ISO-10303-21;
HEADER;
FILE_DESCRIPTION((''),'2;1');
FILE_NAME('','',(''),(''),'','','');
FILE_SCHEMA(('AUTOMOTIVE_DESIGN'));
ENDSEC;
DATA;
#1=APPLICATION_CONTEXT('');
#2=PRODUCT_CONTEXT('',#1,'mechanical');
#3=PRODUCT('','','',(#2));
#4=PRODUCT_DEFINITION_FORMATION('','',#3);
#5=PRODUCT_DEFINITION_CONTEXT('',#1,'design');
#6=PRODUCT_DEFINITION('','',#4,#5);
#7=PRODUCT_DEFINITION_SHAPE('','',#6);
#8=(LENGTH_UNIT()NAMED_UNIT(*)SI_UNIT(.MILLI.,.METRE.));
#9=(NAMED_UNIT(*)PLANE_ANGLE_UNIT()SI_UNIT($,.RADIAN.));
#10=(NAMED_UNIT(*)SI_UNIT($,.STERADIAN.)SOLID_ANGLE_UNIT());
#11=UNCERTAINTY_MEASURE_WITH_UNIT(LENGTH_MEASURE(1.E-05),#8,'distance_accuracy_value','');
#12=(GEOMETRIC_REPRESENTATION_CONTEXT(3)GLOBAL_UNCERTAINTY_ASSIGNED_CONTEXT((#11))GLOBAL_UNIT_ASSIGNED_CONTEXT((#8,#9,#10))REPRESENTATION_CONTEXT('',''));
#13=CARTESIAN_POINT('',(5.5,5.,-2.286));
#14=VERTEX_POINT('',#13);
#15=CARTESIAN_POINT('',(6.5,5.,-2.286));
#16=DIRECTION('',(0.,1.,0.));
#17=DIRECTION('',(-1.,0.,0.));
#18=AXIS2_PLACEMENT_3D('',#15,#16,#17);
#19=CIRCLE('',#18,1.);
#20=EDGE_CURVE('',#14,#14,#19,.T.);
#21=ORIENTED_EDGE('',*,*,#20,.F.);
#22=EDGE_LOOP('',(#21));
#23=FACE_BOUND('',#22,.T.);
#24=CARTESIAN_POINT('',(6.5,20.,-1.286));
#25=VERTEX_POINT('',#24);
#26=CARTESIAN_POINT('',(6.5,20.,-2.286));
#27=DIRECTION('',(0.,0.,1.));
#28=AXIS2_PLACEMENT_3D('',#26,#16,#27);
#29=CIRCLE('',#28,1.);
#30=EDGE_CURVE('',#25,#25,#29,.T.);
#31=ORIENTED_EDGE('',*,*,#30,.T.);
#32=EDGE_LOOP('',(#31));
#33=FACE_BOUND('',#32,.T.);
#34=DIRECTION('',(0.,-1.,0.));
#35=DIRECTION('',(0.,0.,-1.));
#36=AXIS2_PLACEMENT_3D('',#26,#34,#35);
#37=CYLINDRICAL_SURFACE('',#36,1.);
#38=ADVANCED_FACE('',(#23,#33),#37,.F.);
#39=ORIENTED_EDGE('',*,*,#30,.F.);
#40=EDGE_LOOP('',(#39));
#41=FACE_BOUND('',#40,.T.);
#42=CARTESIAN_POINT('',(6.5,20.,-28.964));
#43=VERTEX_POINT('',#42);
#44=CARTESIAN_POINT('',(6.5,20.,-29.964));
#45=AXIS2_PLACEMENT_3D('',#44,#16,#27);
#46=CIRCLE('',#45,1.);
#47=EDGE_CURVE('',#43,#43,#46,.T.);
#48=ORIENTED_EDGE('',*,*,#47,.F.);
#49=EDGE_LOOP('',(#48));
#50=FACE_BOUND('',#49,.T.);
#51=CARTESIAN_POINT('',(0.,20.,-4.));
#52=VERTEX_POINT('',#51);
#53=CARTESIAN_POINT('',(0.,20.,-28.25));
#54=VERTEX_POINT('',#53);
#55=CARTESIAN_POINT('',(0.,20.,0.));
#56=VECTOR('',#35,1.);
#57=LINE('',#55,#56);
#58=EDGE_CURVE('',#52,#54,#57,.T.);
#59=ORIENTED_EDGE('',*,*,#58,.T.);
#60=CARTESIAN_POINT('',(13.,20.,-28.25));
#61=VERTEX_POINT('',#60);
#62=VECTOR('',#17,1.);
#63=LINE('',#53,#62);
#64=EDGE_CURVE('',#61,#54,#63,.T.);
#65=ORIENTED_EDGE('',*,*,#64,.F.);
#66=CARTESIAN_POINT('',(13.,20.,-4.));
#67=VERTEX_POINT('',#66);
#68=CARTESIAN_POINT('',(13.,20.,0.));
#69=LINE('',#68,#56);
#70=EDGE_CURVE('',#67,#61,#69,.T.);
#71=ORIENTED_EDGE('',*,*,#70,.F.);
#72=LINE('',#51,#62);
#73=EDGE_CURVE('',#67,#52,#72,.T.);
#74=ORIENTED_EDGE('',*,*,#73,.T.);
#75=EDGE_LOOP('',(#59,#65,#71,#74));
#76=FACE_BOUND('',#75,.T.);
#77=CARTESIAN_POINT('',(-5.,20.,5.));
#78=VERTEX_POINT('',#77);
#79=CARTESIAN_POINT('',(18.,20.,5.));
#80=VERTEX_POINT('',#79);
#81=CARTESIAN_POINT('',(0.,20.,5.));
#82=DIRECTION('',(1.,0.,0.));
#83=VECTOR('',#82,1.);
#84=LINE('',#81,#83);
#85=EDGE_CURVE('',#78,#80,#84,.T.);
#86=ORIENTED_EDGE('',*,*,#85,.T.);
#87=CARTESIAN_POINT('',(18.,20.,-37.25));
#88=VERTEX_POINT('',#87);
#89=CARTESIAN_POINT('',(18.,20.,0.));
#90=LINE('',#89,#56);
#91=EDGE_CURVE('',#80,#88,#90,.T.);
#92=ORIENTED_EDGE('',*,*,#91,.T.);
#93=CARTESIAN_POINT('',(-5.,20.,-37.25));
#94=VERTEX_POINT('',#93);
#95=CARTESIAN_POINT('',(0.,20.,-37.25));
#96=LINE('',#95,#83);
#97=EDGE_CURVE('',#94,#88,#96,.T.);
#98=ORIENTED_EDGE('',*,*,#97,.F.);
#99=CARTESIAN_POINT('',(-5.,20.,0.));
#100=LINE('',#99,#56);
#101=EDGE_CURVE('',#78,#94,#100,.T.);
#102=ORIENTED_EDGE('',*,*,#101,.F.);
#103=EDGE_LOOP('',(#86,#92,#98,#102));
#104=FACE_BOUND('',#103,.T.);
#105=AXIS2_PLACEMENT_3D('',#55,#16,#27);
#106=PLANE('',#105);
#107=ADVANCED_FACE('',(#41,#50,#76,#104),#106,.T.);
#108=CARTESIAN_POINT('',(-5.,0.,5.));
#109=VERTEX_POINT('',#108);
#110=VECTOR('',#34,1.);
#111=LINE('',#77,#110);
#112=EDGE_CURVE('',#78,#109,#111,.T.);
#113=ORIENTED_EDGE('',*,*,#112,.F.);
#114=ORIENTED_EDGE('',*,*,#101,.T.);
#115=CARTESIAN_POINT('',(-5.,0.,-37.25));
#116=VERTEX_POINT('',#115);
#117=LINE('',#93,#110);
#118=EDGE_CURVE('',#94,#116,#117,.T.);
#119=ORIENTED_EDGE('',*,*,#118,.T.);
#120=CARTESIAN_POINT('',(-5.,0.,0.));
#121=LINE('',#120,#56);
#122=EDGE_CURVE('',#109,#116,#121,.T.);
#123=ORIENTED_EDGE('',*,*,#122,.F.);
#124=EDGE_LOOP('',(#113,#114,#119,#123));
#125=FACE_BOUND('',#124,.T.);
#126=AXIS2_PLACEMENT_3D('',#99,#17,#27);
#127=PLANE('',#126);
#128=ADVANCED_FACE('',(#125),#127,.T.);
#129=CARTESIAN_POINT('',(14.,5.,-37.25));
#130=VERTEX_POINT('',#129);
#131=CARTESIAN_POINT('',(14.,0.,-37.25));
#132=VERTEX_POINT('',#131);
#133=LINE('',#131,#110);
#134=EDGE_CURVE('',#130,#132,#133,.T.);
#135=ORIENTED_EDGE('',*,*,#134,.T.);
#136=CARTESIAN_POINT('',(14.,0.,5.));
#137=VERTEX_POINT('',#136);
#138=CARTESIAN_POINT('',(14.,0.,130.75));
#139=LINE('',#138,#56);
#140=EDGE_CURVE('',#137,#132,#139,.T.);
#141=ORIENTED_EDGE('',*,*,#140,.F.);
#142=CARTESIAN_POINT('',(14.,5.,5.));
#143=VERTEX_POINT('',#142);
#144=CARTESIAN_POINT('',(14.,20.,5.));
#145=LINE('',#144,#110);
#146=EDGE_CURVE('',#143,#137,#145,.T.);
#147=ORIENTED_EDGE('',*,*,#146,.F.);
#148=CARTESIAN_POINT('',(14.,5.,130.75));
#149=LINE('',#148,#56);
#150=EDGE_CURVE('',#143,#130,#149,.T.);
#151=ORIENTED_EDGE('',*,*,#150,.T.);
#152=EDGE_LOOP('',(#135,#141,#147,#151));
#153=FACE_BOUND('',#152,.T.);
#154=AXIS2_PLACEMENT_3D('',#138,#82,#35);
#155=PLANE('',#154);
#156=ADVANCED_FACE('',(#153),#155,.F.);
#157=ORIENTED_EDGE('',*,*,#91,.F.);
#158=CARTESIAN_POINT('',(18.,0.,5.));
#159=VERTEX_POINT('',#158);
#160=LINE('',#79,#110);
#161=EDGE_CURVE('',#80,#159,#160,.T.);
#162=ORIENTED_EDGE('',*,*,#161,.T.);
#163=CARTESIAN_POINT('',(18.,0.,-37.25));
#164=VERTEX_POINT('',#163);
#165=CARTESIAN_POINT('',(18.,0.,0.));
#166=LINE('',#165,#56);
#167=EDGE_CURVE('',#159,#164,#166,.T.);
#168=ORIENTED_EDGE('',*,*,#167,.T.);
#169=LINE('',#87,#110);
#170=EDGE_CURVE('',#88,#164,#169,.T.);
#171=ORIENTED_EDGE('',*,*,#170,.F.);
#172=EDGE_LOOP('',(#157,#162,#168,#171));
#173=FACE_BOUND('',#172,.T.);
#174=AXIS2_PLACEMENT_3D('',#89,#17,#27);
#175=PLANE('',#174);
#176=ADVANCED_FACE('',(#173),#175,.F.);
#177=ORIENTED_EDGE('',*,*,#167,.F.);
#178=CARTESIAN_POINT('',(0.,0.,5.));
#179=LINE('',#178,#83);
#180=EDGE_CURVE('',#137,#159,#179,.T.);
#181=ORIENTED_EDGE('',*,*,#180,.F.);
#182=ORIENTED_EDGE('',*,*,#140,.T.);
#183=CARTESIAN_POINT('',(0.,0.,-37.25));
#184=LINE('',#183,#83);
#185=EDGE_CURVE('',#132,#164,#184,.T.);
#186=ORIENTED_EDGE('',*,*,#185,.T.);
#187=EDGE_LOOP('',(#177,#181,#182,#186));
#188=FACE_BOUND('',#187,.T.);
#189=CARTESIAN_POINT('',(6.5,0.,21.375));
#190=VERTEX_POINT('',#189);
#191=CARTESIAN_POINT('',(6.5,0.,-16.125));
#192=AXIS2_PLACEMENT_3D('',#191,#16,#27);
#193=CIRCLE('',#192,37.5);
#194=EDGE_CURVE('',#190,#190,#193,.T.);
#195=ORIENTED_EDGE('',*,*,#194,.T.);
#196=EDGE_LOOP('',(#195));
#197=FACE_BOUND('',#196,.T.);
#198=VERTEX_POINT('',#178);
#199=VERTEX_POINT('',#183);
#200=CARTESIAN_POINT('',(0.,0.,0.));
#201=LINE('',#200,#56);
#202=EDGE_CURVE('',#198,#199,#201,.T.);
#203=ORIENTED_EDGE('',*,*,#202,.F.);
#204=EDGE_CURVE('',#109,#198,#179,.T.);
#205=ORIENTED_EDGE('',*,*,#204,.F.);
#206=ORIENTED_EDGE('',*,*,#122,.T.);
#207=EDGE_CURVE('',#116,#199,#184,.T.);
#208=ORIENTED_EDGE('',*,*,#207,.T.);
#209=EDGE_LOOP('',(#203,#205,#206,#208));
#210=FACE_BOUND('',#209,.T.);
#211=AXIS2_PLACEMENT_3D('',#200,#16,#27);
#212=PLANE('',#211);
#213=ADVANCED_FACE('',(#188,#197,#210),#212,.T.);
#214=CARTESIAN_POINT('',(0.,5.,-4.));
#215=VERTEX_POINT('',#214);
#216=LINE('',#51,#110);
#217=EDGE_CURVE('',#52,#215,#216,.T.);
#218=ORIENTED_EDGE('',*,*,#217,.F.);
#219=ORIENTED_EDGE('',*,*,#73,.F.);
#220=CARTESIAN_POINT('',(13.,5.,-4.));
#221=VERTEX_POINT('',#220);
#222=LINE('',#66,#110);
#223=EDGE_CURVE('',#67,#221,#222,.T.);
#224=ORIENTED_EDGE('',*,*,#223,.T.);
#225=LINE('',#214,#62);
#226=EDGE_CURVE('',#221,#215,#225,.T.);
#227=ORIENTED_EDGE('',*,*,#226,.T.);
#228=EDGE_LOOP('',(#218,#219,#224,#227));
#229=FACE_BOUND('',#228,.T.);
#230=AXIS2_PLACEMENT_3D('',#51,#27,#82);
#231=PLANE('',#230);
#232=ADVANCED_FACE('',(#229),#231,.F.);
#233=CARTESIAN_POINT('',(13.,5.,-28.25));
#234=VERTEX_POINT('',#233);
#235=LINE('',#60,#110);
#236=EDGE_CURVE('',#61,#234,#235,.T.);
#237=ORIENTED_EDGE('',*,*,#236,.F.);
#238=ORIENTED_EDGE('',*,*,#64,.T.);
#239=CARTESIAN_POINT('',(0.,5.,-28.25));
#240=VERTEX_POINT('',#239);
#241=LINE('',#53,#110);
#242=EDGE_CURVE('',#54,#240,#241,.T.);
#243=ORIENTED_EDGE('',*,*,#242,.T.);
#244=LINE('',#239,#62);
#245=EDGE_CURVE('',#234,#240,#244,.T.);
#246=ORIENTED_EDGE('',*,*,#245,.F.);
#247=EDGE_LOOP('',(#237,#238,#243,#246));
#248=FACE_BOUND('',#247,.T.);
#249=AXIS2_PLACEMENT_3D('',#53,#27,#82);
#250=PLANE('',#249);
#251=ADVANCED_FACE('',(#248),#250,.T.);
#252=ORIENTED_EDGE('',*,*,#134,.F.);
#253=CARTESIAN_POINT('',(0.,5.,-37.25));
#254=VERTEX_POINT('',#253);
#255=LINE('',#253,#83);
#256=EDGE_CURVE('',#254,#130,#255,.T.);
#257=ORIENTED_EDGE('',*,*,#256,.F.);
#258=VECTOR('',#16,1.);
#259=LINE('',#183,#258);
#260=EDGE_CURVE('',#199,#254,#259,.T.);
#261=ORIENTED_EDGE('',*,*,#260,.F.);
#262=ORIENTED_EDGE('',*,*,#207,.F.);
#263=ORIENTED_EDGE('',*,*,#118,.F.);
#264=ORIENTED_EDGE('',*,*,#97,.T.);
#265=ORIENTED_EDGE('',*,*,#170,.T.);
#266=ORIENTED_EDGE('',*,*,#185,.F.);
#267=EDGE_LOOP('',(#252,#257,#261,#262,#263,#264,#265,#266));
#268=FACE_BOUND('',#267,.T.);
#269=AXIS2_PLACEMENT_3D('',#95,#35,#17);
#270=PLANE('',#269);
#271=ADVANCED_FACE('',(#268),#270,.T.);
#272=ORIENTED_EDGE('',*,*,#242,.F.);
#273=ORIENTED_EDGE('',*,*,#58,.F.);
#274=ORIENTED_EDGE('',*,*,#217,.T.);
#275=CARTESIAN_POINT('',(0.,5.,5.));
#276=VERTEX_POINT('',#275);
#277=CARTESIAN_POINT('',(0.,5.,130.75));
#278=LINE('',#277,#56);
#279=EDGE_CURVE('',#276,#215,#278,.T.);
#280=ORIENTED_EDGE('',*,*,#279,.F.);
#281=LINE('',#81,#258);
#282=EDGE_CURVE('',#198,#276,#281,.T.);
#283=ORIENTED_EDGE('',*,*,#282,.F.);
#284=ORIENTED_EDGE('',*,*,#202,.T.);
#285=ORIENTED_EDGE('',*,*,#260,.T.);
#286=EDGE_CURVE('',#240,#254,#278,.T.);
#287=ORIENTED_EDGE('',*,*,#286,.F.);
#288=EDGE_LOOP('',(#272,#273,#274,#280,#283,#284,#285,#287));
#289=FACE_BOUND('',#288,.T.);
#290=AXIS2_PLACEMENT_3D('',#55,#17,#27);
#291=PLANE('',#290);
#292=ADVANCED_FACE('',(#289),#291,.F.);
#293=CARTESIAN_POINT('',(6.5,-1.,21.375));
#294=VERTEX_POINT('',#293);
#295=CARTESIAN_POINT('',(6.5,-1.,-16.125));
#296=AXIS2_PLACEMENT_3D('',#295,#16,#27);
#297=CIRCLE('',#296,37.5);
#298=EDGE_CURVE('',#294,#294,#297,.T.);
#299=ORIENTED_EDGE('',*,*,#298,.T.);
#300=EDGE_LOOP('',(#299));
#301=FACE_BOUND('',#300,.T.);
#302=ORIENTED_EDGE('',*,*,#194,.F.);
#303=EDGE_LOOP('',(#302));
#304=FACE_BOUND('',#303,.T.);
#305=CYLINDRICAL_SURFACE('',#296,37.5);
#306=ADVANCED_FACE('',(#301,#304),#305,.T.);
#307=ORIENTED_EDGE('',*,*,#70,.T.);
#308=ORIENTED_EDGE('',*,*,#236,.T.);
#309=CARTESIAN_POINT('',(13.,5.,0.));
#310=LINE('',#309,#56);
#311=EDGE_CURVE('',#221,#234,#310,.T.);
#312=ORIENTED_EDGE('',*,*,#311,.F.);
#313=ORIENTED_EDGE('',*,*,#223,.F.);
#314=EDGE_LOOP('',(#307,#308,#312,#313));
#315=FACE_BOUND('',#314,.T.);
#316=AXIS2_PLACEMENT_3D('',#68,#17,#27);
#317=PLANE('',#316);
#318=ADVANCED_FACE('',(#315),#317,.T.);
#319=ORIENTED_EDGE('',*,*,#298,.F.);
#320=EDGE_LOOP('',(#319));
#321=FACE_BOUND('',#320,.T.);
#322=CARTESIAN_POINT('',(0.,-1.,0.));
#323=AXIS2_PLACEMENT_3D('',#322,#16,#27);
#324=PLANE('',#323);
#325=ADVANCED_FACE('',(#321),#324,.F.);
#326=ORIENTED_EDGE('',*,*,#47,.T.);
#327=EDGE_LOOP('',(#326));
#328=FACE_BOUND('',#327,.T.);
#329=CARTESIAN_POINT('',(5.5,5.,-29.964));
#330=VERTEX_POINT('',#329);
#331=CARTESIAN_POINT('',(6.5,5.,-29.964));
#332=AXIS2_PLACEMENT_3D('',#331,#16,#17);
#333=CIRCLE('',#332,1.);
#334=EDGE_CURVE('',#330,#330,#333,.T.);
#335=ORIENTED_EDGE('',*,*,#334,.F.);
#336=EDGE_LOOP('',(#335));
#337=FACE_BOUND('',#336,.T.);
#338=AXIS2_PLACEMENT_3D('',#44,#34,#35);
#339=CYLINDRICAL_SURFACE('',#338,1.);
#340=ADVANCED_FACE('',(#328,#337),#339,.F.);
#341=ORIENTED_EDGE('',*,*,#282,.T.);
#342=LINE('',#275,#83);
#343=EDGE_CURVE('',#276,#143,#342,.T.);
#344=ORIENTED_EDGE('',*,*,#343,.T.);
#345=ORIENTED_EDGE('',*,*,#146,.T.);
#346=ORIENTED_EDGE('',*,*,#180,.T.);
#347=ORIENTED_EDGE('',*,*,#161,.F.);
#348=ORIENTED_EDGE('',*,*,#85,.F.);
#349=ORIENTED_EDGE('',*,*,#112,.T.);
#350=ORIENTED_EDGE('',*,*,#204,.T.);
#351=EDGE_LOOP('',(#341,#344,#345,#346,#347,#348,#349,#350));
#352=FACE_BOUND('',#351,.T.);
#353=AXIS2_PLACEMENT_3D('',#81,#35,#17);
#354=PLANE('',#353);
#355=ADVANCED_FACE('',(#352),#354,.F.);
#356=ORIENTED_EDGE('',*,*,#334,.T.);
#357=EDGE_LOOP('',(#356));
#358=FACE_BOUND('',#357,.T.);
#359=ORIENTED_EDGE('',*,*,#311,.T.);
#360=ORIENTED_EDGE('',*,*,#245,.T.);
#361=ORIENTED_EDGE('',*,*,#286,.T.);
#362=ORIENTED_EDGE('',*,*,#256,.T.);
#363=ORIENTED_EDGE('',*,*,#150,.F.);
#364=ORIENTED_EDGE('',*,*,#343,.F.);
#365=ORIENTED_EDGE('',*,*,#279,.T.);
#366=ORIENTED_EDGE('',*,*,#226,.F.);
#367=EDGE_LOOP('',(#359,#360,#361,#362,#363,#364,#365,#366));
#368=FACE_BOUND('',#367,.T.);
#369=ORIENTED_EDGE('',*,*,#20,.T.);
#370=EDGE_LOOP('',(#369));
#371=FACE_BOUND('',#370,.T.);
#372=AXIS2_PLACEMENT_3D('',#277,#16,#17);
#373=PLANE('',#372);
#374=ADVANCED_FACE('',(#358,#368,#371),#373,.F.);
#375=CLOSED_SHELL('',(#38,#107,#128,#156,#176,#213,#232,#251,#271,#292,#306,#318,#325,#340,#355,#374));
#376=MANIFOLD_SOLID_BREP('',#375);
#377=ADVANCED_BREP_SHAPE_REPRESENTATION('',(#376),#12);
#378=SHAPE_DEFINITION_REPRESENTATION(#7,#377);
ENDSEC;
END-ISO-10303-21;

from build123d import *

# Parameters (mm, degrees)
SKETCH2_W           = 23
SKETCH2_H           = 42.25
SKETCH2_W_2         = 13
SKETCH2_H_2         = 24.25
SKETCH2_R           = 1
BOSS_EXTRUDE1_DEPTH = 20
SKETCH2_3_R         = 37.5
BOSS_EXTRUDE2_DEPTH = 1
SKETCH4_W           = 14
SKETCH4_H           = 5
CUT_EXTRUDE1_DEPTH  = 168


with BuildPart() as part:
    # Sketch2 → Boss-Extrude1 (new body)
    with BuildSketch(Plane(origin=(0, 0, 0), x_dir=(1, 0, 0), z_dir=(0, 1, 0))):
        with Locations((6.5, 16.125)):
            Rectangle(SKETCH2_W, SKETCH2_H)
        with Locations((6.5, 16.125)):
            Rectangle(SKETCH2_W_2, SKETCH2_H_2, mode=Mode.SUBTRACT)
        with Locations((6.5, 2.286)):
            Circle(SKETCH2_R, mode=Mode.SUBTRACT)
        with Locations((6.5, 29.964)):
            Circle(SKETCH2_R, mode=Mode.SUBTRACT)
    extrude(amount=BOSS_EXTRUDE1_DEPTH)

    # Sketch2<3> → Boss-Extrude2 (add)
    with BuildSketch(Plane(origin=(0, 0, 0), x_dir=(1, 0, 0), z_dir=(0, 1, 0))):
        with Locations((6.5, 16.125)):
            Circle(SKETCH2_3_R)
    extrude(amount=-BOSS_EXTRUDE2_DEPTH)

    # Sketch4 → Cut-Extrude1 (cut)
    with BuildSketch(Plane(origin=(0, 0, -37.25), x_dir=(-1, 0, 0), z_dir=(0, 0, -1))):
        with Locations((-7, 2.5)):
            Rectangle(SKETCH4_W, SKETCH4_H)
    extrude(amount=-CUT_EXTRUDE1_DEPTH, mode=Mode.SUBTRACT)


solid = part.part
